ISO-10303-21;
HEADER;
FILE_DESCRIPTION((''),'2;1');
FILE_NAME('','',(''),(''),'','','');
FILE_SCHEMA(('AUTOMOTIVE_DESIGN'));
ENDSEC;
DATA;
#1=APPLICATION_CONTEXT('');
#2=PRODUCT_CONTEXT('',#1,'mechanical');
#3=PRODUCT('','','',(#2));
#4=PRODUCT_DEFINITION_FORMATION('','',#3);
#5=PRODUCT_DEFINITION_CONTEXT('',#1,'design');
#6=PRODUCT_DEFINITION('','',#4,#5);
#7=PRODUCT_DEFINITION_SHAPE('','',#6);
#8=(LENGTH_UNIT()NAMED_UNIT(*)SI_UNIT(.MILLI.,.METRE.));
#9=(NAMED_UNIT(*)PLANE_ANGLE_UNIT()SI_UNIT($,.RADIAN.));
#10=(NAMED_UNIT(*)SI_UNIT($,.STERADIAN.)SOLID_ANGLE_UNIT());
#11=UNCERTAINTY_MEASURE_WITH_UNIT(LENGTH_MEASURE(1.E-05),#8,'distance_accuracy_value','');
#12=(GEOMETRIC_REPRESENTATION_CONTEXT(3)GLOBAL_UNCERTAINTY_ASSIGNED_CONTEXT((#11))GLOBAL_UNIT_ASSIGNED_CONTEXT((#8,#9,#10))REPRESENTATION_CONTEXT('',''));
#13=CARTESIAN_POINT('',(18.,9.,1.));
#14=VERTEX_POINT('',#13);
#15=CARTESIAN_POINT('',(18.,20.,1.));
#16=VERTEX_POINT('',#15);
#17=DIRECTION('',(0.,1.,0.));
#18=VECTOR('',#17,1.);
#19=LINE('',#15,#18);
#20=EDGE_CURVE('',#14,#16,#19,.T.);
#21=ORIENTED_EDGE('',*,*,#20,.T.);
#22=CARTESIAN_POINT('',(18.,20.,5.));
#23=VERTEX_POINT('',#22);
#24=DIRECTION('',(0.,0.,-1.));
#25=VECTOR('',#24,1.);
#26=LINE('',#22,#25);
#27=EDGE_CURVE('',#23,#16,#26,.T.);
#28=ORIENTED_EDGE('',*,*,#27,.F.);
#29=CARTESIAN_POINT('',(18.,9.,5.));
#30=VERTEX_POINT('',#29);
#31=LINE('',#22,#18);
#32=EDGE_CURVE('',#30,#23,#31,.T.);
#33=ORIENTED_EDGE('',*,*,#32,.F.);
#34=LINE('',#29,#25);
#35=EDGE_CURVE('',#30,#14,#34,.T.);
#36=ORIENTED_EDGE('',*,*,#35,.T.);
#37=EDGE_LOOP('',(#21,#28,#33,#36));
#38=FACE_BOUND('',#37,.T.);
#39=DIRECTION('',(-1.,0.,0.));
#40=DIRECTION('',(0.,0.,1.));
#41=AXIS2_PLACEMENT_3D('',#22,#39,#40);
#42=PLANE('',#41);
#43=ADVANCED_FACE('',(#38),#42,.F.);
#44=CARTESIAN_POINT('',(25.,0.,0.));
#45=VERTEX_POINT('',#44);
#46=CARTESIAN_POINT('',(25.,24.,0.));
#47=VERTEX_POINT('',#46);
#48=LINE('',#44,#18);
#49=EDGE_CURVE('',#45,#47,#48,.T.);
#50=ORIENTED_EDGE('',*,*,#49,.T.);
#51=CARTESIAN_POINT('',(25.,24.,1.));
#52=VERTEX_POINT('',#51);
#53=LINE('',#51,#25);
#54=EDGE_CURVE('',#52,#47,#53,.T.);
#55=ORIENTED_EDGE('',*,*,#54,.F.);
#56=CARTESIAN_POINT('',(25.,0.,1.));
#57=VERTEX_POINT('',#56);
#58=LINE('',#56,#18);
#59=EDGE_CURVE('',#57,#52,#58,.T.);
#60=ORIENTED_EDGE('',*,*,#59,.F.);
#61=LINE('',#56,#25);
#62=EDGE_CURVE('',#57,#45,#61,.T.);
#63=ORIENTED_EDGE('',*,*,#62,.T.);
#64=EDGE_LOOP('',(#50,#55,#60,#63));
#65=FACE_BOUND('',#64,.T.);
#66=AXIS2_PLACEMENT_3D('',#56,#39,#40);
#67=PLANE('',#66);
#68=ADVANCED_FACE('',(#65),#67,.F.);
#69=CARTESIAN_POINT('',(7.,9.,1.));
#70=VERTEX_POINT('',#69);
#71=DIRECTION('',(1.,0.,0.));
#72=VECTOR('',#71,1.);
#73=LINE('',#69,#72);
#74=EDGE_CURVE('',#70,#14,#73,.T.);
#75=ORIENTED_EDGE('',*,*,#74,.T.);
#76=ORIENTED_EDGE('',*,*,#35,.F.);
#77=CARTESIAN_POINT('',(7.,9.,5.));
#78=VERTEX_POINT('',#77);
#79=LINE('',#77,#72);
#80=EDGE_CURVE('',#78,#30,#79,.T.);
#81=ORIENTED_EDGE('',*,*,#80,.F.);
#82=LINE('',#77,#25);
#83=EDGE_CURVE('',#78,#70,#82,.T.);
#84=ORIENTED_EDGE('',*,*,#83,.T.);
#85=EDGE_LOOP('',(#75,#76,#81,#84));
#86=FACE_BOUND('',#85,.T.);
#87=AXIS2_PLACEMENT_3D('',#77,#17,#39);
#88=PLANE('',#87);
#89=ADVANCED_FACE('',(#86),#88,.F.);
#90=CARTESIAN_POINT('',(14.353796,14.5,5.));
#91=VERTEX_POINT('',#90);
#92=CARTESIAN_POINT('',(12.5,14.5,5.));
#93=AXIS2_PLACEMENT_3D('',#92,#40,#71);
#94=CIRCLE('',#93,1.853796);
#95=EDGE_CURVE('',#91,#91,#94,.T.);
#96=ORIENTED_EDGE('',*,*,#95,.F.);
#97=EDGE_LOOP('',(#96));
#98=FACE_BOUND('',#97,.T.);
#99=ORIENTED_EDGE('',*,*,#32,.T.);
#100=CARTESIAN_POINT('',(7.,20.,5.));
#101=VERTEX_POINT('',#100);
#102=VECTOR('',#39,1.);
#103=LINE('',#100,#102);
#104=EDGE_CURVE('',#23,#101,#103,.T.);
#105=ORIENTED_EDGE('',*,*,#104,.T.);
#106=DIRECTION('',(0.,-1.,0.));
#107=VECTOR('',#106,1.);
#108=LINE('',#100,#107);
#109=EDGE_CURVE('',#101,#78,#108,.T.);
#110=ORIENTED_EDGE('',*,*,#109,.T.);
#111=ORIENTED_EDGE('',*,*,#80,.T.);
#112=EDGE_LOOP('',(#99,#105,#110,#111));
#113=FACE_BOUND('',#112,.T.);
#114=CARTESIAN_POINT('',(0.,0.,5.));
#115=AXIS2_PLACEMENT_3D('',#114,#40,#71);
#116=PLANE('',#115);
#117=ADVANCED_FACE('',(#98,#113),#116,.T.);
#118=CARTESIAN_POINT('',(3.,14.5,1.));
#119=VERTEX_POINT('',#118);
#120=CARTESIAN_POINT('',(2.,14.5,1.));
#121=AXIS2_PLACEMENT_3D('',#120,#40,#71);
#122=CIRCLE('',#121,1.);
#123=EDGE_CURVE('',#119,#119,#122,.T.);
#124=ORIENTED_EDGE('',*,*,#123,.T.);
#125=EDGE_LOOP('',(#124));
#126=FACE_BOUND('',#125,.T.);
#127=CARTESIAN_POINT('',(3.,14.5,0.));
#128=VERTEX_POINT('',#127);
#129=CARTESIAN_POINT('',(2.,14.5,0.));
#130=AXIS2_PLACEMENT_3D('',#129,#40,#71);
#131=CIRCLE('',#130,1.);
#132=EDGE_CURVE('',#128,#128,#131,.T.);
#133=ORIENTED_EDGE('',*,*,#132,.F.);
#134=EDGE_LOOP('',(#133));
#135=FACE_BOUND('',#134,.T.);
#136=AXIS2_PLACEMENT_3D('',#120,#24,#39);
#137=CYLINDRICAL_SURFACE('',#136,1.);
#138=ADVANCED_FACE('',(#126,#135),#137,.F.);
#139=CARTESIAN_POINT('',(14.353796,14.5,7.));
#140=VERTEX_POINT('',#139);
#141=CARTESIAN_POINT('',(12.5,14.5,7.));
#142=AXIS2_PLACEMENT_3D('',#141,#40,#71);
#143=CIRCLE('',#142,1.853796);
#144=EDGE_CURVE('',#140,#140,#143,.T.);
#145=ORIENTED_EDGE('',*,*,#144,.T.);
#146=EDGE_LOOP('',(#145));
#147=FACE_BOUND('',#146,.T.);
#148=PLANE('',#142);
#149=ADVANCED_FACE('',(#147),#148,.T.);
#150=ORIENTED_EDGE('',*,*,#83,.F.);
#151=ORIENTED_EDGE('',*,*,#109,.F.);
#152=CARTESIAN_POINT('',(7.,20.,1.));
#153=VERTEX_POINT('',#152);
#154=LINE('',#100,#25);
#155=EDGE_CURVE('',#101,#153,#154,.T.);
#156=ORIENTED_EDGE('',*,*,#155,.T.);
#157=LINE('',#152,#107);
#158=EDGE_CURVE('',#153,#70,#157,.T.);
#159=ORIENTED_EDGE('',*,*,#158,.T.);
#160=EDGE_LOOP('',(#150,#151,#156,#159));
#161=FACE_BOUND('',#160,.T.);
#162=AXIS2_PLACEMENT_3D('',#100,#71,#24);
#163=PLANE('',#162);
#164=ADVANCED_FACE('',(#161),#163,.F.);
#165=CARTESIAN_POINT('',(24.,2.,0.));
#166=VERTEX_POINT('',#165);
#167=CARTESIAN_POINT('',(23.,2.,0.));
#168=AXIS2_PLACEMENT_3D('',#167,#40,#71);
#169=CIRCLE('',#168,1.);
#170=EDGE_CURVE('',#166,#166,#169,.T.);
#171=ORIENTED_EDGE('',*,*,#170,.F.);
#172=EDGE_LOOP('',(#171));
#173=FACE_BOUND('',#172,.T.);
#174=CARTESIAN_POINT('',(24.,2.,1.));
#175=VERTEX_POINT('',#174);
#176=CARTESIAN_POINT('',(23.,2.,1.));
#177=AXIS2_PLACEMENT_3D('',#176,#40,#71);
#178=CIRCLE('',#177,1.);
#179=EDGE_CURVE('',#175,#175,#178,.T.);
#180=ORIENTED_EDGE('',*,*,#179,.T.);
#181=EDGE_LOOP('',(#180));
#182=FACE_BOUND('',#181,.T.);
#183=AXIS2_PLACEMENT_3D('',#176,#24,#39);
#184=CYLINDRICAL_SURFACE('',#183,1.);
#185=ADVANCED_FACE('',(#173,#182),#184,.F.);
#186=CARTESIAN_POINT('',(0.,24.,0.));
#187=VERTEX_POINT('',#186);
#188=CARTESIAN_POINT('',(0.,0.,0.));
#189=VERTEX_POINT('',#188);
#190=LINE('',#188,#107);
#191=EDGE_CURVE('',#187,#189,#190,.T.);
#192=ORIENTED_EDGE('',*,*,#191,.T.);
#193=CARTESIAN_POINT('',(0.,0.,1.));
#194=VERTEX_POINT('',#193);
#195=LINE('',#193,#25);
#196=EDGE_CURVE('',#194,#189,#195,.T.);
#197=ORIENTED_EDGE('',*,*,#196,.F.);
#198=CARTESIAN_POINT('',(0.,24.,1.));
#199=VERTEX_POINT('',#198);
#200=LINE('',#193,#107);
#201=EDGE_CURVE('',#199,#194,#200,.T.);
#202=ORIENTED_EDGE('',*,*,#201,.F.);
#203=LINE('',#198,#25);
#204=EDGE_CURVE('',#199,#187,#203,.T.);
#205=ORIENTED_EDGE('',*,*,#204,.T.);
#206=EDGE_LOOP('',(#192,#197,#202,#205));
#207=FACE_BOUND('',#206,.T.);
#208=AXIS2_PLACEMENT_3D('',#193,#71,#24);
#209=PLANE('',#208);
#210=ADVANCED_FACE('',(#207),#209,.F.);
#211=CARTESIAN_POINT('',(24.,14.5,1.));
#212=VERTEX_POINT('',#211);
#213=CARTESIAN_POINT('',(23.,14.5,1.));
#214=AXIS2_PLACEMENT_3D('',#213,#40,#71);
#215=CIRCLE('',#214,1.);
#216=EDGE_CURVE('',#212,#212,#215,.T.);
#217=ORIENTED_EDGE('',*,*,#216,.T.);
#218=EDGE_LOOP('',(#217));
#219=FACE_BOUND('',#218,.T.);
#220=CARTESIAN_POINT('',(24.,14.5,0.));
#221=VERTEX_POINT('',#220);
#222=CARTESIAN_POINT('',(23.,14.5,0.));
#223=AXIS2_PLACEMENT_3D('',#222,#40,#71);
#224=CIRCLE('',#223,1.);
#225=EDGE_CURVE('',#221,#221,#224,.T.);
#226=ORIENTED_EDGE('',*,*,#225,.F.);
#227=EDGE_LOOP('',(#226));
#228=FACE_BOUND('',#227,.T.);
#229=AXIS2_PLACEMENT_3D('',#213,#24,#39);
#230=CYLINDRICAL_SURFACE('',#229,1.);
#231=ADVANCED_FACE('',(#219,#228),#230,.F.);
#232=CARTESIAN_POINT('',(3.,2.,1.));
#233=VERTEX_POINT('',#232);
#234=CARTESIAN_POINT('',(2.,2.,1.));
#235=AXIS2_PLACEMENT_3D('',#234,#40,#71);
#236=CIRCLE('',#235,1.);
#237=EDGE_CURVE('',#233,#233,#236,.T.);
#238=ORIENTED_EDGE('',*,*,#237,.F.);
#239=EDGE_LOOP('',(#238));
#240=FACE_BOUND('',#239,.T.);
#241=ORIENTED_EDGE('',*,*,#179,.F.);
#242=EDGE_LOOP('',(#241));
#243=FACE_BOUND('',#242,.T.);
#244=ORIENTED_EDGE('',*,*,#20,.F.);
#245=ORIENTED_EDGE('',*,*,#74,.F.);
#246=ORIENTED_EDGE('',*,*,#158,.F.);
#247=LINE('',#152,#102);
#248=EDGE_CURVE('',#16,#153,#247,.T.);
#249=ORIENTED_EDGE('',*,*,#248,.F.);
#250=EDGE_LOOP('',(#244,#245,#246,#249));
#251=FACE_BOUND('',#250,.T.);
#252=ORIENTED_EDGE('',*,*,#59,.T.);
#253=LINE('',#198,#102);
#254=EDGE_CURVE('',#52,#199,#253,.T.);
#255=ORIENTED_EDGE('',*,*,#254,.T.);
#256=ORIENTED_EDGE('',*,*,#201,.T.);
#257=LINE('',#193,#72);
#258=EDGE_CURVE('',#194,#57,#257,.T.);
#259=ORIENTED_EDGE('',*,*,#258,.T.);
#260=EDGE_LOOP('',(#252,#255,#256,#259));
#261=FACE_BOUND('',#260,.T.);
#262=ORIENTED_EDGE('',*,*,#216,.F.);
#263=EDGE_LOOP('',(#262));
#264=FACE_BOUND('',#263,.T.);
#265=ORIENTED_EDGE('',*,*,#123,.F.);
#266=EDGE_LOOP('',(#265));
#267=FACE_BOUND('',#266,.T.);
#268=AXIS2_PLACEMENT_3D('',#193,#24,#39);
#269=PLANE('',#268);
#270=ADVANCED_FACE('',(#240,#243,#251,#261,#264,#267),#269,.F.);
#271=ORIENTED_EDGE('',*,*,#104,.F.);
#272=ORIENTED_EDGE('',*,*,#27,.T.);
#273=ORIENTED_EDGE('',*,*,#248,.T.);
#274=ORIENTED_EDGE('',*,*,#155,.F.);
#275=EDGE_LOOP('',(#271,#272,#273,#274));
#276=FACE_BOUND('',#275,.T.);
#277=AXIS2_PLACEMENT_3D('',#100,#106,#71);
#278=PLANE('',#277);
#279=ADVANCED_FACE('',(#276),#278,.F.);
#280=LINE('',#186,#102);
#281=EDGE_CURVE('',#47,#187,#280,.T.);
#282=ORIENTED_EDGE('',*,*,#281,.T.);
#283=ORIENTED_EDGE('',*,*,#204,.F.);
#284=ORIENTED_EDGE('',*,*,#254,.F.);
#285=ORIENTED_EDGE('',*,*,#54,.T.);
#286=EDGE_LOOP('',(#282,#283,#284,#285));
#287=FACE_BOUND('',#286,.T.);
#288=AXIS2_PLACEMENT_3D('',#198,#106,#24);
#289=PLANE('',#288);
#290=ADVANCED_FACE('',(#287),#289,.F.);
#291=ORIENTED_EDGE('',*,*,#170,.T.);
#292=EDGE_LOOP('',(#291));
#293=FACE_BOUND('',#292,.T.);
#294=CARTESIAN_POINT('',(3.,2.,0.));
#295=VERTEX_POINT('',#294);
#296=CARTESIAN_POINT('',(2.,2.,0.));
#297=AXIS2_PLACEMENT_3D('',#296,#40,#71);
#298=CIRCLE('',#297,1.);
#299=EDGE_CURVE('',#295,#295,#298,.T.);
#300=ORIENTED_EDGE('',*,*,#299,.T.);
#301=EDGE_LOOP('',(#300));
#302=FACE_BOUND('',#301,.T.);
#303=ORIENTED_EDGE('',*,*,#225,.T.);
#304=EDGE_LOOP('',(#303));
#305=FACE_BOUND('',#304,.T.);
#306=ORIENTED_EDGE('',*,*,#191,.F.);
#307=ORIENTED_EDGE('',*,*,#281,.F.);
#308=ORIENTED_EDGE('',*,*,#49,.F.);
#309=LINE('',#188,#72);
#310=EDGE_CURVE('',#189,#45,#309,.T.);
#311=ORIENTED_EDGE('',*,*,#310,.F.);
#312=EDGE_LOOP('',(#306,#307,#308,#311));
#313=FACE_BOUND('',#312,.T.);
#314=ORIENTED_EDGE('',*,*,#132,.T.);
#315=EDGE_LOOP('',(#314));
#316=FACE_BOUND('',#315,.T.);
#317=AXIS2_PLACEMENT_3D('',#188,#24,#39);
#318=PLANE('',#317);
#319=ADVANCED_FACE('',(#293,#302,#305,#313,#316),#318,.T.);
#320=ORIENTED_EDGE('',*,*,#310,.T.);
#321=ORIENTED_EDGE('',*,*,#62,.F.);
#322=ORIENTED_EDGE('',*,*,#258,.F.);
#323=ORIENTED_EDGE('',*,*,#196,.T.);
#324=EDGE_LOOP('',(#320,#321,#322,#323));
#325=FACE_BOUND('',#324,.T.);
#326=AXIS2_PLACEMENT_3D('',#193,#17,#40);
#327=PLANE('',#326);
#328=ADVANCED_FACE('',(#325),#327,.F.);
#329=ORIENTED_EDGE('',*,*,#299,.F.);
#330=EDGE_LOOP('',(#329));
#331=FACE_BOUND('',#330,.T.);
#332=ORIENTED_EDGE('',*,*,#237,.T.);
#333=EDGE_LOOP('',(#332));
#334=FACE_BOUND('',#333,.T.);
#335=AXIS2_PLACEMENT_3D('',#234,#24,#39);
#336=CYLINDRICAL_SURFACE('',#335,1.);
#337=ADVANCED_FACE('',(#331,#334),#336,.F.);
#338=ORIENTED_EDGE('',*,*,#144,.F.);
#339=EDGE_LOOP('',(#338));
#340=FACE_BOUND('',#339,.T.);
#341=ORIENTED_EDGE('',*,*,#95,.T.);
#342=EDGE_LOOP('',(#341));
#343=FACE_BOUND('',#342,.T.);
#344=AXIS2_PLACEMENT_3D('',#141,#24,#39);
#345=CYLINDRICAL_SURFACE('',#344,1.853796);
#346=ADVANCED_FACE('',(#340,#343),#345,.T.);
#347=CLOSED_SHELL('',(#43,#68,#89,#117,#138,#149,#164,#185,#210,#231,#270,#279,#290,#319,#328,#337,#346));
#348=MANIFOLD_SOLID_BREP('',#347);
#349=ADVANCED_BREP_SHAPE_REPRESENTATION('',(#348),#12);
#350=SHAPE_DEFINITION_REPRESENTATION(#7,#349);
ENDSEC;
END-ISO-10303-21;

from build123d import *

# Parameters (mm, degrees)
SKETCH1_W           = 25
SKETCH1_H           = 24
SKETCH1_R           = 1
BOSS_EXTRUDE1_DEPTH = 1
SKETCH2_W           = 11
SKETCH2_H           = 11
BOSS_EXTRUDE2_DEPTH = 4
SKETCH3_R           = 1.853795749
BOSS_EXTRUDE3_DEPTH = 2


with BuildPart() as part:
    # Sketch1 → Boss-Extrude1 (new body)
    with BuildSketch(Plane.XY):
        with Locations((12.5, 12)):
            Rectangle(SKETCH1_W, SKETCH1_H)
        with Locations((2, 2)):
            Circle(SKETCH1_R, mode=Mode.SUBTRACT)
        with Locations((23, 2)):
            Circle(SKETCH1_R, mode=Mode.SUBTRACT)
        with Locations((2, 14.5)):
            Circle(SKETCH1_R, mode=Mode.SUBTRACT)
        with Locations((23, 14.5)):
            Circle(SKETCH1_R, mode=Mode.SUBTRACT)
    extrude(amount=BOSS_EXTRUDE1_DEPTH)

    # Sketch2 → Boss-Extrude2 (add)
    with BuildSketch(Plane.XY.offset(1)):
        with Locations((12.5, 14.5)):
            Rectangle(SKETCH2_W, SKETCH2_H)
    extrude(amount=BOSS_EXTRUDE2_DEPTH)

    # Sketch3 → Boss-Extrude3 (add)
    with BuildSketch(Plane.XY.offset(5)):
        with Locations((12.5, 14.5)):
            Circle(SKETCH3_R)
    extrude(amount=BOSS_EXTRUDE3_DEPTH)


solid = part.part
